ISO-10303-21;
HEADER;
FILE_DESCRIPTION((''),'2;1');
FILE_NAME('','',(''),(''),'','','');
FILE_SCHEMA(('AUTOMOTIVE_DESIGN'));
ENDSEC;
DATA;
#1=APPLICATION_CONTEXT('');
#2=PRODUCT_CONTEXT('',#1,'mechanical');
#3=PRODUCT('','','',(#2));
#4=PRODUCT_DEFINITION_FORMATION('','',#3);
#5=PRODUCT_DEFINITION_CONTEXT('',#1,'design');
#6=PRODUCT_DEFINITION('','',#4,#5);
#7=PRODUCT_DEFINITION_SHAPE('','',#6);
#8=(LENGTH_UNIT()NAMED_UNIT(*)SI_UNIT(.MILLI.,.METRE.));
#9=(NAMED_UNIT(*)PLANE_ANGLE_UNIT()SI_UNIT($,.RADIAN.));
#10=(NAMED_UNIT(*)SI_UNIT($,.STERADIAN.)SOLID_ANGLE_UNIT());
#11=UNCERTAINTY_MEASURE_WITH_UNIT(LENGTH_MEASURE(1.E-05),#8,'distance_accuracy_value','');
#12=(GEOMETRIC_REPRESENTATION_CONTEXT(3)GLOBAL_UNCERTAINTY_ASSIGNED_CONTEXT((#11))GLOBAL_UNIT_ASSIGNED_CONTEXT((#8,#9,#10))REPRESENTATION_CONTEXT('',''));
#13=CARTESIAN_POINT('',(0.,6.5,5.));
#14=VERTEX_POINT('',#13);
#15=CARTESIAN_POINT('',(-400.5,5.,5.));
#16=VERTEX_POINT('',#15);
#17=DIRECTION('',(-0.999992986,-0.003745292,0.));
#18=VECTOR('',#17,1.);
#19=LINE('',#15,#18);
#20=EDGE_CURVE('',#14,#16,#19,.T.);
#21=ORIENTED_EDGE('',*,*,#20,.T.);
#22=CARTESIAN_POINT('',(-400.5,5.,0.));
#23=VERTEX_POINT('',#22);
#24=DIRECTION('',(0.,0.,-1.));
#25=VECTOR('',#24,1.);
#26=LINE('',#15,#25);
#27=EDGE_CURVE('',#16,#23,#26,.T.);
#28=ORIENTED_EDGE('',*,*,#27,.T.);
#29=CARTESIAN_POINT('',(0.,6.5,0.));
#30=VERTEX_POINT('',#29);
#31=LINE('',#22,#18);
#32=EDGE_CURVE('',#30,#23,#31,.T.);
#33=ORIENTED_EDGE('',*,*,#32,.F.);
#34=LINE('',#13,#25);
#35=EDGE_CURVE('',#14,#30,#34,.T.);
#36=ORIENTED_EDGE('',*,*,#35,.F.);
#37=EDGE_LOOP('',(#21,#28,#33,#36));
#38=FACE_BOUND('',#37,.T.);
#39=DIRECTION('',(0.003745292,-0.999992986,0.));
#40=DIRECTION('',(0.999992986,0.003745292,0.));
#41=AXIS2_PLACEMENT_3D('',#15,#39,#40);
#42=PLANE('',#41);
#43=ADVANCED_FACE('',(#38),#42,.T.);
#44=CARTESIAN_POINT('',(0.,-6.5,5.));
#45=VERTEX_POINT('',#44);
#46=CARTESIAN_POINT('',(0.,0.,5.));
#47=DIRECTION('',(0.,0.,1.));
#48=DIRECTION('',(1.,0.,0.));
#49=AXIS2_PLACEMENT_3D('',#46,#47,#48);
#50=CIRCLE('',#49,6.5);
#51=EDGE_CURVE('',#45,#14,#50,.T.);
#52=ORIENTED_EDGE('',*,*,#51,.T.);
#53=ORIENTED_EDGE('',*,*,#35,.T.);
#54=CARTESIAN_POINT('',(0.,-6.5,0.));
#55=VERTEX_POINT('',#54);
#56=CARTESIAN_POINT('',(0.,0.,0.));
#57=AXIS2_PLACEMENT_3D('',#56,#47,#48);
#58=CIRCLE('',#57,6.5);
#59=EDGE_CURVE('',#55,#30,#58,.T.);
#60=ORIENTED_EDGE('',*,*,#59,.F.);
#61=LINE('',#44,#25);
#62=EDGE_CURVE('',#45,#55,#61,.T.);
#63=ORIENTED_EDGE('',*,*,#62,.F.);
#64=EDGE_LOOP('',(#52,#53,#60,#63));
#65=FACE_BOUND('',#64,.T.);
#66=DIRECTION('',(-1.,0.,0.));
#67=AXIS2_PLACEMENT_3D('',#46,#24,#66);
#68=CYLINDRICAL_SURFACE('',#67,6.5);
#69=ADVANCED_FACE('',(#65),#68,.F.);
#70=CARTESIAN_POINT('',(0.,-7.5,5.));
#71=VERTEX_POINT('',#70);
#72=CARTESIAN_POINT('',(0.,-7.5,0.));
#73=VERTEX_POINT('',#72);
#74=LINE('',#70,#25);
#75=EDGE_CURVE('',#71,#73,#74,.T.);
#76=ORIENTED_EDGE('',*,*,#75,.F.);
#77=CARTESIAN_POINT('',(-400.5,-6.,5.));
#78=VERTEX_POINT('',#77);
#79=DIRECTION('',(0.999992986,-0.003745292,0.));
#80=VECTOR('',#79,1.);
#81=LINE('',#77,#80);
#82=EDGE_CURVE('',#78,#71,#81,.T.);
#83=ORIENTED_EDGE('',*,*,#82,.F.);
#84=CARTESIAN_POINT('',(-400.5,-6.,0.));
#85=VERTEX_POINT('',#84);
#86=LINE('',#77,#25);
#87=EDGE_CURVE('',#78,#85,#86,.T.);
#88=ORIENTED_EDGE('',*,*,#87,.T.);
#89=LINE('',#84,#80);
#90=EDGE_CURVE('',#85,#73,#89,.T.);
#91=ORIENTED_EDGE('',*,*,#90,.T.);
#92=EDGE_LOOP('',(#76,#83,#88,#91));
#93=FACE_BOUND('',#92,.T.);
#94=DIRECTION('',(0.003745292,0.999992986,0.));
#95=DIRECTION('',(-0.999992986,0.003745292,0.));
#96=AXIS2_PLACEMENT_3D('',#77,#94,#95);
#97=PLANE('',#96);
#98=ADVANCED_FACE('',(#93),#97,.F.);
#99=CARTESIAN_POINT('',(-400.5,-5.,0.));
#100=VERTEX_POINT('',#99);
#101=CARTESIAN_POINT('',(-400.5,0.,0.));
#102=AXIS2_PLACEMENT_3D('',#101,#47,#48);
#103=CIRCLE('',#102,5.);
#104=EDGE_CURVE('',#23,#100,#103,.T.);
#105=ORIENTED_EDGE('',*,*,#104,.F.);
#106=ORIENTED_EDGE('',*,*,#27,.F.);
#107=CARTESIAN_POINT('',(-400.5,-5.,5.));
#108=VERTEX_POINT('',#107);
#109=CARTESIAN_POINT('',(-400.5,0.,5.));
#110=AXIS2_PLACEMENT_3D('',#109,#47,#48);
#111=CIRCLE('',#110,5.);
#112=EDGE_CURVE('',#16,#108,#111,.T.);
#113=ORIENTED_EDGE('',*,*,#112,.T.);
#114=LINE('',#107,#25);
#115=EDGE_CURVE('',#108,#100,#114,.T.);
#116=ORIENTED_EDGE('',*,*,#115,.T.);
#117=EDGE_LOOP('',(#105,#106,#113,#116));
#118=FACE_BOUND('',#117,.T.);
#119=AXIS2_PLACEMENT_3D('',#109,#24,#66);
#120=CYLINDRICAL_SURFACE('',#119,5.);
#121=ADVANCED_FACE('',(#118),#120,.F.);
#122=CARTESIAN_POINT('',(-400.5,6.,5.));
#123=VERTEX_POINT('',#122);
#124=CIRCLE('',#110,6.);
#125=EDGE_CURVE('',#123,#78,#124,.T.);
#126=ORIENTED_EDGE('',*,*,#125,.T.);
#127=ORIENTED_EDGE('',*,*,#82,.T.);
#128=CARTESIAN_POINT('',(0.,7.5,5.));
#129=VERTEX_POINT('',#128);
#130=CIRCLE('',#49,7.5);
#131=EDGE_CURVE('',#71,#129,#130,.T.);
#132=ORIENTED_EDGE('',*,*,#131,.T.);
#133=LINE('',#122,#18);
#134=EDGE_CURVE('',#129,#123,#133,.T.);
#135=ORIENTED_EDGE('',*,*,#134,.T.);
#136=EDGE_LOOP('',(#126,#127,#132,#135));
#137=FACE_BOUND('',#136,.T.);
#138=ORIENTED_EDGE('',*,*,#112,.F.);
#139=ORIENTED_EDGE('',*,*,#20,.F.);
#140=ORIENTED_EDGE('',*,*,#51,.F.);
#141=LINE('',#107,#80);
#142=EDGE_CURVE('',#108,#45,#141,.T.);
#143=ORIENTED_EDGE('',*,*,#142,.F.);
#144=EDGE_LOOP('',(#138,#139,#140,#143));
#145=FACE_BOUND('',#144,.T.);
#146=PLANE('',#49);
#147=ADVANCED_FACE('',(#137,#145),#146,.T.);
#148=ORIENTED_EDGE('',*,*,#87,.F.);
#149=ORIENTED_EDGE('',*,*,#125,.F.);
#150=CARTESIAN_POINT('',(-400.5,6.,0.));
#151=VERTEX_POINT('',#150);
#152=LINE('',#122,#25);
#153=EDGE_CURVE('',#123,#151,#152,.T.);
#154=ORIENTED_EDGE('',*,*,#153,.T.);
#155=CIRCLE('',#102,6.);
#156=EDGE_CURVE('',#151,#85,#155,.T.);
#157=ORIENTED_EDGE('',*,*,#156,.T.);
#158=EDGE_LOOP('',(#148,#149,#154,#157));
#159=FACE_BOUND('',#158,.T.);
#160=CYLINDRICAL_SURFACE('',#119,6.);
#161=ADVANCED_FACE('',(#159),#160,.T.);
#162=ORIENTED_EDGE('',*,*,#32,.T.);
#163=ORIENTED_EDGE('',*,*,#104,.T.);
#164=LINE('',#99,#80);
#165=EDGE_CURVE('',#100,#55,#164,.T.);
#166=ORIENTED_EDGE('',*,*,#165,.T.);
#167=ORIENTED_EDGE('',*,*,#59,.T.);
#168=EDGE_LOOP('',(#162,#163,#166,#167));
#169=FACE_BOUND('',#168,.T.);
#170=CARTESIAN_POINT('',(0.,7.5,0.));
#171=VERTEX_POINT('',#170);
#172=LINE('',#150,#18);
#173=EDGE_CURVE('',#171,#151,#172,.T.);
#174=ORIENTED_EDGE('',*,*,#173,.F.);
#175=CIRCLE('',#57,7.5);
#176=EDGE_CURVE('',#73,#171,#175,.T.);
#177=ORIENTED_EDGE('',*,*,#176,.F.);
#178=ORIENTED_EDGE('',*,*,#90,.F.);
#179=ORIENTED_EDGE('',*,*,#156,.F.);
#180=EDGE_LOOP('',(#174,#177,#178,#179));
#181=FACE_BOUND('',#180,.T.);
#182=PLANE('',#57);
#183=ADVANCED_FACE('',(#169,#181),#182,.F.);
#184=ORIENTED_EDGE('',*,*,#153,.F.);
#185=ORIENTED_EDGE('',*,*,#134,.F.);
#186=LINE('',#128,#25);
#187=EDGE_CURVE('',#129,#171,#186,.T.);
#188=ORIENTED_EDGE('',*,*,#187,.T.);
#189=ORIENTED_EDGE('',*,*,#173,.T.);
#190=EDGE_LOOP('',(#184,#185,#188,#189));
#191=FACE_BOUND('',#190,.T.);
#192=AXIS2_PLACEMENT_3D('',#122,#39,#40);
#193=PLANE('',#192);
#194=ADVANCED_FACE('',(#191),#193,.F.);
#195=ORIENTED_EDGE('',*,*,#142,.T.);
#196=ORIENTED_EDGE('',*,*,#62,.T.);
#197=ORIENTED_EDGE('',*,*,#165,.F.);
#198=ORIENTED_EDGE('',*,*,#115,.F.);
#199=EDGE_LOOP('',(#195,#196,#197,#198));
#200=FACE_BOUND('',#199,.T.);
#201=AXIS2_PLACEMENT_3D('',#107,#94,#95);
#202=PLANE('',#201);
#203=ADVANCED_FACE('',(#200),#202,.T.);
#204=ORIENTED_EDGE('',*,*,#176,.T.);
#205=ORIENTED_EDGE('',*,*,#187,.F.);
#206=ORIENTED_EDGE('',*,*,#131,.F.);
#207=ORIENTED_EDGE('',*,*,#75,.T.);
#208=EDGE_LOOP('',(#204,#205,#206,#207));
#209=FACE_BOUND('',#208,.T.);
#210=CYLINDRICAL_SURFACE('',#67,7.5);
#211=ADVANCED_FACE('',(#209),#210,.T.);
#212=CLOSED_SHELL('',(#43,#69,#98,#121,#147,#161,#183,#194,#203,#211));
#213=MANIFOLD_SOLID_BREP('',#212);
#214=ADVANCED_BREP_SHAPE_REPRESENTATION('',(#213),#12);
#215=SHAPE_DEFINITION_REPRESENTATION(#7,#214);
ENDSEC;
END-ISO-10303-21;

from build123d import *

# Parameters (mm, degrees)
BOSS_EXTRU_1_DEPTH = 5


with BuildPart() as part:
    # Esquisse1 → Boss.-Extru.1 (new body)
    with BuildSketch(Plane.XY):
        with BuildLine():
            Line((-400.5, 6), (0, 7.5))
            ThreePointArc((0, 7.5), (7.5, 0), (0, -7.5))
            Line((0, -7.5), (-400.5, -6))
            ThreePointArc((-400.5, -6), (-406.5, 0), (-400.5, 6))
        make_face()
        with BuildLine():
            Line((-400.5, 5), (0, 6.5))
            ThreePointArc((0, 6.5), (6.5, 0), (0, -6.5))
            Line((0, -6.5), (-400.5, -5))
            ThreePointArc((-400.5, -5), (-405.5, 0), (-400.5, 5))
        make_face(mode=Mode.SUBTRACT)
    extrude(amount=BOSS_EXTRU_1_DEPTH)


solid = part.part
